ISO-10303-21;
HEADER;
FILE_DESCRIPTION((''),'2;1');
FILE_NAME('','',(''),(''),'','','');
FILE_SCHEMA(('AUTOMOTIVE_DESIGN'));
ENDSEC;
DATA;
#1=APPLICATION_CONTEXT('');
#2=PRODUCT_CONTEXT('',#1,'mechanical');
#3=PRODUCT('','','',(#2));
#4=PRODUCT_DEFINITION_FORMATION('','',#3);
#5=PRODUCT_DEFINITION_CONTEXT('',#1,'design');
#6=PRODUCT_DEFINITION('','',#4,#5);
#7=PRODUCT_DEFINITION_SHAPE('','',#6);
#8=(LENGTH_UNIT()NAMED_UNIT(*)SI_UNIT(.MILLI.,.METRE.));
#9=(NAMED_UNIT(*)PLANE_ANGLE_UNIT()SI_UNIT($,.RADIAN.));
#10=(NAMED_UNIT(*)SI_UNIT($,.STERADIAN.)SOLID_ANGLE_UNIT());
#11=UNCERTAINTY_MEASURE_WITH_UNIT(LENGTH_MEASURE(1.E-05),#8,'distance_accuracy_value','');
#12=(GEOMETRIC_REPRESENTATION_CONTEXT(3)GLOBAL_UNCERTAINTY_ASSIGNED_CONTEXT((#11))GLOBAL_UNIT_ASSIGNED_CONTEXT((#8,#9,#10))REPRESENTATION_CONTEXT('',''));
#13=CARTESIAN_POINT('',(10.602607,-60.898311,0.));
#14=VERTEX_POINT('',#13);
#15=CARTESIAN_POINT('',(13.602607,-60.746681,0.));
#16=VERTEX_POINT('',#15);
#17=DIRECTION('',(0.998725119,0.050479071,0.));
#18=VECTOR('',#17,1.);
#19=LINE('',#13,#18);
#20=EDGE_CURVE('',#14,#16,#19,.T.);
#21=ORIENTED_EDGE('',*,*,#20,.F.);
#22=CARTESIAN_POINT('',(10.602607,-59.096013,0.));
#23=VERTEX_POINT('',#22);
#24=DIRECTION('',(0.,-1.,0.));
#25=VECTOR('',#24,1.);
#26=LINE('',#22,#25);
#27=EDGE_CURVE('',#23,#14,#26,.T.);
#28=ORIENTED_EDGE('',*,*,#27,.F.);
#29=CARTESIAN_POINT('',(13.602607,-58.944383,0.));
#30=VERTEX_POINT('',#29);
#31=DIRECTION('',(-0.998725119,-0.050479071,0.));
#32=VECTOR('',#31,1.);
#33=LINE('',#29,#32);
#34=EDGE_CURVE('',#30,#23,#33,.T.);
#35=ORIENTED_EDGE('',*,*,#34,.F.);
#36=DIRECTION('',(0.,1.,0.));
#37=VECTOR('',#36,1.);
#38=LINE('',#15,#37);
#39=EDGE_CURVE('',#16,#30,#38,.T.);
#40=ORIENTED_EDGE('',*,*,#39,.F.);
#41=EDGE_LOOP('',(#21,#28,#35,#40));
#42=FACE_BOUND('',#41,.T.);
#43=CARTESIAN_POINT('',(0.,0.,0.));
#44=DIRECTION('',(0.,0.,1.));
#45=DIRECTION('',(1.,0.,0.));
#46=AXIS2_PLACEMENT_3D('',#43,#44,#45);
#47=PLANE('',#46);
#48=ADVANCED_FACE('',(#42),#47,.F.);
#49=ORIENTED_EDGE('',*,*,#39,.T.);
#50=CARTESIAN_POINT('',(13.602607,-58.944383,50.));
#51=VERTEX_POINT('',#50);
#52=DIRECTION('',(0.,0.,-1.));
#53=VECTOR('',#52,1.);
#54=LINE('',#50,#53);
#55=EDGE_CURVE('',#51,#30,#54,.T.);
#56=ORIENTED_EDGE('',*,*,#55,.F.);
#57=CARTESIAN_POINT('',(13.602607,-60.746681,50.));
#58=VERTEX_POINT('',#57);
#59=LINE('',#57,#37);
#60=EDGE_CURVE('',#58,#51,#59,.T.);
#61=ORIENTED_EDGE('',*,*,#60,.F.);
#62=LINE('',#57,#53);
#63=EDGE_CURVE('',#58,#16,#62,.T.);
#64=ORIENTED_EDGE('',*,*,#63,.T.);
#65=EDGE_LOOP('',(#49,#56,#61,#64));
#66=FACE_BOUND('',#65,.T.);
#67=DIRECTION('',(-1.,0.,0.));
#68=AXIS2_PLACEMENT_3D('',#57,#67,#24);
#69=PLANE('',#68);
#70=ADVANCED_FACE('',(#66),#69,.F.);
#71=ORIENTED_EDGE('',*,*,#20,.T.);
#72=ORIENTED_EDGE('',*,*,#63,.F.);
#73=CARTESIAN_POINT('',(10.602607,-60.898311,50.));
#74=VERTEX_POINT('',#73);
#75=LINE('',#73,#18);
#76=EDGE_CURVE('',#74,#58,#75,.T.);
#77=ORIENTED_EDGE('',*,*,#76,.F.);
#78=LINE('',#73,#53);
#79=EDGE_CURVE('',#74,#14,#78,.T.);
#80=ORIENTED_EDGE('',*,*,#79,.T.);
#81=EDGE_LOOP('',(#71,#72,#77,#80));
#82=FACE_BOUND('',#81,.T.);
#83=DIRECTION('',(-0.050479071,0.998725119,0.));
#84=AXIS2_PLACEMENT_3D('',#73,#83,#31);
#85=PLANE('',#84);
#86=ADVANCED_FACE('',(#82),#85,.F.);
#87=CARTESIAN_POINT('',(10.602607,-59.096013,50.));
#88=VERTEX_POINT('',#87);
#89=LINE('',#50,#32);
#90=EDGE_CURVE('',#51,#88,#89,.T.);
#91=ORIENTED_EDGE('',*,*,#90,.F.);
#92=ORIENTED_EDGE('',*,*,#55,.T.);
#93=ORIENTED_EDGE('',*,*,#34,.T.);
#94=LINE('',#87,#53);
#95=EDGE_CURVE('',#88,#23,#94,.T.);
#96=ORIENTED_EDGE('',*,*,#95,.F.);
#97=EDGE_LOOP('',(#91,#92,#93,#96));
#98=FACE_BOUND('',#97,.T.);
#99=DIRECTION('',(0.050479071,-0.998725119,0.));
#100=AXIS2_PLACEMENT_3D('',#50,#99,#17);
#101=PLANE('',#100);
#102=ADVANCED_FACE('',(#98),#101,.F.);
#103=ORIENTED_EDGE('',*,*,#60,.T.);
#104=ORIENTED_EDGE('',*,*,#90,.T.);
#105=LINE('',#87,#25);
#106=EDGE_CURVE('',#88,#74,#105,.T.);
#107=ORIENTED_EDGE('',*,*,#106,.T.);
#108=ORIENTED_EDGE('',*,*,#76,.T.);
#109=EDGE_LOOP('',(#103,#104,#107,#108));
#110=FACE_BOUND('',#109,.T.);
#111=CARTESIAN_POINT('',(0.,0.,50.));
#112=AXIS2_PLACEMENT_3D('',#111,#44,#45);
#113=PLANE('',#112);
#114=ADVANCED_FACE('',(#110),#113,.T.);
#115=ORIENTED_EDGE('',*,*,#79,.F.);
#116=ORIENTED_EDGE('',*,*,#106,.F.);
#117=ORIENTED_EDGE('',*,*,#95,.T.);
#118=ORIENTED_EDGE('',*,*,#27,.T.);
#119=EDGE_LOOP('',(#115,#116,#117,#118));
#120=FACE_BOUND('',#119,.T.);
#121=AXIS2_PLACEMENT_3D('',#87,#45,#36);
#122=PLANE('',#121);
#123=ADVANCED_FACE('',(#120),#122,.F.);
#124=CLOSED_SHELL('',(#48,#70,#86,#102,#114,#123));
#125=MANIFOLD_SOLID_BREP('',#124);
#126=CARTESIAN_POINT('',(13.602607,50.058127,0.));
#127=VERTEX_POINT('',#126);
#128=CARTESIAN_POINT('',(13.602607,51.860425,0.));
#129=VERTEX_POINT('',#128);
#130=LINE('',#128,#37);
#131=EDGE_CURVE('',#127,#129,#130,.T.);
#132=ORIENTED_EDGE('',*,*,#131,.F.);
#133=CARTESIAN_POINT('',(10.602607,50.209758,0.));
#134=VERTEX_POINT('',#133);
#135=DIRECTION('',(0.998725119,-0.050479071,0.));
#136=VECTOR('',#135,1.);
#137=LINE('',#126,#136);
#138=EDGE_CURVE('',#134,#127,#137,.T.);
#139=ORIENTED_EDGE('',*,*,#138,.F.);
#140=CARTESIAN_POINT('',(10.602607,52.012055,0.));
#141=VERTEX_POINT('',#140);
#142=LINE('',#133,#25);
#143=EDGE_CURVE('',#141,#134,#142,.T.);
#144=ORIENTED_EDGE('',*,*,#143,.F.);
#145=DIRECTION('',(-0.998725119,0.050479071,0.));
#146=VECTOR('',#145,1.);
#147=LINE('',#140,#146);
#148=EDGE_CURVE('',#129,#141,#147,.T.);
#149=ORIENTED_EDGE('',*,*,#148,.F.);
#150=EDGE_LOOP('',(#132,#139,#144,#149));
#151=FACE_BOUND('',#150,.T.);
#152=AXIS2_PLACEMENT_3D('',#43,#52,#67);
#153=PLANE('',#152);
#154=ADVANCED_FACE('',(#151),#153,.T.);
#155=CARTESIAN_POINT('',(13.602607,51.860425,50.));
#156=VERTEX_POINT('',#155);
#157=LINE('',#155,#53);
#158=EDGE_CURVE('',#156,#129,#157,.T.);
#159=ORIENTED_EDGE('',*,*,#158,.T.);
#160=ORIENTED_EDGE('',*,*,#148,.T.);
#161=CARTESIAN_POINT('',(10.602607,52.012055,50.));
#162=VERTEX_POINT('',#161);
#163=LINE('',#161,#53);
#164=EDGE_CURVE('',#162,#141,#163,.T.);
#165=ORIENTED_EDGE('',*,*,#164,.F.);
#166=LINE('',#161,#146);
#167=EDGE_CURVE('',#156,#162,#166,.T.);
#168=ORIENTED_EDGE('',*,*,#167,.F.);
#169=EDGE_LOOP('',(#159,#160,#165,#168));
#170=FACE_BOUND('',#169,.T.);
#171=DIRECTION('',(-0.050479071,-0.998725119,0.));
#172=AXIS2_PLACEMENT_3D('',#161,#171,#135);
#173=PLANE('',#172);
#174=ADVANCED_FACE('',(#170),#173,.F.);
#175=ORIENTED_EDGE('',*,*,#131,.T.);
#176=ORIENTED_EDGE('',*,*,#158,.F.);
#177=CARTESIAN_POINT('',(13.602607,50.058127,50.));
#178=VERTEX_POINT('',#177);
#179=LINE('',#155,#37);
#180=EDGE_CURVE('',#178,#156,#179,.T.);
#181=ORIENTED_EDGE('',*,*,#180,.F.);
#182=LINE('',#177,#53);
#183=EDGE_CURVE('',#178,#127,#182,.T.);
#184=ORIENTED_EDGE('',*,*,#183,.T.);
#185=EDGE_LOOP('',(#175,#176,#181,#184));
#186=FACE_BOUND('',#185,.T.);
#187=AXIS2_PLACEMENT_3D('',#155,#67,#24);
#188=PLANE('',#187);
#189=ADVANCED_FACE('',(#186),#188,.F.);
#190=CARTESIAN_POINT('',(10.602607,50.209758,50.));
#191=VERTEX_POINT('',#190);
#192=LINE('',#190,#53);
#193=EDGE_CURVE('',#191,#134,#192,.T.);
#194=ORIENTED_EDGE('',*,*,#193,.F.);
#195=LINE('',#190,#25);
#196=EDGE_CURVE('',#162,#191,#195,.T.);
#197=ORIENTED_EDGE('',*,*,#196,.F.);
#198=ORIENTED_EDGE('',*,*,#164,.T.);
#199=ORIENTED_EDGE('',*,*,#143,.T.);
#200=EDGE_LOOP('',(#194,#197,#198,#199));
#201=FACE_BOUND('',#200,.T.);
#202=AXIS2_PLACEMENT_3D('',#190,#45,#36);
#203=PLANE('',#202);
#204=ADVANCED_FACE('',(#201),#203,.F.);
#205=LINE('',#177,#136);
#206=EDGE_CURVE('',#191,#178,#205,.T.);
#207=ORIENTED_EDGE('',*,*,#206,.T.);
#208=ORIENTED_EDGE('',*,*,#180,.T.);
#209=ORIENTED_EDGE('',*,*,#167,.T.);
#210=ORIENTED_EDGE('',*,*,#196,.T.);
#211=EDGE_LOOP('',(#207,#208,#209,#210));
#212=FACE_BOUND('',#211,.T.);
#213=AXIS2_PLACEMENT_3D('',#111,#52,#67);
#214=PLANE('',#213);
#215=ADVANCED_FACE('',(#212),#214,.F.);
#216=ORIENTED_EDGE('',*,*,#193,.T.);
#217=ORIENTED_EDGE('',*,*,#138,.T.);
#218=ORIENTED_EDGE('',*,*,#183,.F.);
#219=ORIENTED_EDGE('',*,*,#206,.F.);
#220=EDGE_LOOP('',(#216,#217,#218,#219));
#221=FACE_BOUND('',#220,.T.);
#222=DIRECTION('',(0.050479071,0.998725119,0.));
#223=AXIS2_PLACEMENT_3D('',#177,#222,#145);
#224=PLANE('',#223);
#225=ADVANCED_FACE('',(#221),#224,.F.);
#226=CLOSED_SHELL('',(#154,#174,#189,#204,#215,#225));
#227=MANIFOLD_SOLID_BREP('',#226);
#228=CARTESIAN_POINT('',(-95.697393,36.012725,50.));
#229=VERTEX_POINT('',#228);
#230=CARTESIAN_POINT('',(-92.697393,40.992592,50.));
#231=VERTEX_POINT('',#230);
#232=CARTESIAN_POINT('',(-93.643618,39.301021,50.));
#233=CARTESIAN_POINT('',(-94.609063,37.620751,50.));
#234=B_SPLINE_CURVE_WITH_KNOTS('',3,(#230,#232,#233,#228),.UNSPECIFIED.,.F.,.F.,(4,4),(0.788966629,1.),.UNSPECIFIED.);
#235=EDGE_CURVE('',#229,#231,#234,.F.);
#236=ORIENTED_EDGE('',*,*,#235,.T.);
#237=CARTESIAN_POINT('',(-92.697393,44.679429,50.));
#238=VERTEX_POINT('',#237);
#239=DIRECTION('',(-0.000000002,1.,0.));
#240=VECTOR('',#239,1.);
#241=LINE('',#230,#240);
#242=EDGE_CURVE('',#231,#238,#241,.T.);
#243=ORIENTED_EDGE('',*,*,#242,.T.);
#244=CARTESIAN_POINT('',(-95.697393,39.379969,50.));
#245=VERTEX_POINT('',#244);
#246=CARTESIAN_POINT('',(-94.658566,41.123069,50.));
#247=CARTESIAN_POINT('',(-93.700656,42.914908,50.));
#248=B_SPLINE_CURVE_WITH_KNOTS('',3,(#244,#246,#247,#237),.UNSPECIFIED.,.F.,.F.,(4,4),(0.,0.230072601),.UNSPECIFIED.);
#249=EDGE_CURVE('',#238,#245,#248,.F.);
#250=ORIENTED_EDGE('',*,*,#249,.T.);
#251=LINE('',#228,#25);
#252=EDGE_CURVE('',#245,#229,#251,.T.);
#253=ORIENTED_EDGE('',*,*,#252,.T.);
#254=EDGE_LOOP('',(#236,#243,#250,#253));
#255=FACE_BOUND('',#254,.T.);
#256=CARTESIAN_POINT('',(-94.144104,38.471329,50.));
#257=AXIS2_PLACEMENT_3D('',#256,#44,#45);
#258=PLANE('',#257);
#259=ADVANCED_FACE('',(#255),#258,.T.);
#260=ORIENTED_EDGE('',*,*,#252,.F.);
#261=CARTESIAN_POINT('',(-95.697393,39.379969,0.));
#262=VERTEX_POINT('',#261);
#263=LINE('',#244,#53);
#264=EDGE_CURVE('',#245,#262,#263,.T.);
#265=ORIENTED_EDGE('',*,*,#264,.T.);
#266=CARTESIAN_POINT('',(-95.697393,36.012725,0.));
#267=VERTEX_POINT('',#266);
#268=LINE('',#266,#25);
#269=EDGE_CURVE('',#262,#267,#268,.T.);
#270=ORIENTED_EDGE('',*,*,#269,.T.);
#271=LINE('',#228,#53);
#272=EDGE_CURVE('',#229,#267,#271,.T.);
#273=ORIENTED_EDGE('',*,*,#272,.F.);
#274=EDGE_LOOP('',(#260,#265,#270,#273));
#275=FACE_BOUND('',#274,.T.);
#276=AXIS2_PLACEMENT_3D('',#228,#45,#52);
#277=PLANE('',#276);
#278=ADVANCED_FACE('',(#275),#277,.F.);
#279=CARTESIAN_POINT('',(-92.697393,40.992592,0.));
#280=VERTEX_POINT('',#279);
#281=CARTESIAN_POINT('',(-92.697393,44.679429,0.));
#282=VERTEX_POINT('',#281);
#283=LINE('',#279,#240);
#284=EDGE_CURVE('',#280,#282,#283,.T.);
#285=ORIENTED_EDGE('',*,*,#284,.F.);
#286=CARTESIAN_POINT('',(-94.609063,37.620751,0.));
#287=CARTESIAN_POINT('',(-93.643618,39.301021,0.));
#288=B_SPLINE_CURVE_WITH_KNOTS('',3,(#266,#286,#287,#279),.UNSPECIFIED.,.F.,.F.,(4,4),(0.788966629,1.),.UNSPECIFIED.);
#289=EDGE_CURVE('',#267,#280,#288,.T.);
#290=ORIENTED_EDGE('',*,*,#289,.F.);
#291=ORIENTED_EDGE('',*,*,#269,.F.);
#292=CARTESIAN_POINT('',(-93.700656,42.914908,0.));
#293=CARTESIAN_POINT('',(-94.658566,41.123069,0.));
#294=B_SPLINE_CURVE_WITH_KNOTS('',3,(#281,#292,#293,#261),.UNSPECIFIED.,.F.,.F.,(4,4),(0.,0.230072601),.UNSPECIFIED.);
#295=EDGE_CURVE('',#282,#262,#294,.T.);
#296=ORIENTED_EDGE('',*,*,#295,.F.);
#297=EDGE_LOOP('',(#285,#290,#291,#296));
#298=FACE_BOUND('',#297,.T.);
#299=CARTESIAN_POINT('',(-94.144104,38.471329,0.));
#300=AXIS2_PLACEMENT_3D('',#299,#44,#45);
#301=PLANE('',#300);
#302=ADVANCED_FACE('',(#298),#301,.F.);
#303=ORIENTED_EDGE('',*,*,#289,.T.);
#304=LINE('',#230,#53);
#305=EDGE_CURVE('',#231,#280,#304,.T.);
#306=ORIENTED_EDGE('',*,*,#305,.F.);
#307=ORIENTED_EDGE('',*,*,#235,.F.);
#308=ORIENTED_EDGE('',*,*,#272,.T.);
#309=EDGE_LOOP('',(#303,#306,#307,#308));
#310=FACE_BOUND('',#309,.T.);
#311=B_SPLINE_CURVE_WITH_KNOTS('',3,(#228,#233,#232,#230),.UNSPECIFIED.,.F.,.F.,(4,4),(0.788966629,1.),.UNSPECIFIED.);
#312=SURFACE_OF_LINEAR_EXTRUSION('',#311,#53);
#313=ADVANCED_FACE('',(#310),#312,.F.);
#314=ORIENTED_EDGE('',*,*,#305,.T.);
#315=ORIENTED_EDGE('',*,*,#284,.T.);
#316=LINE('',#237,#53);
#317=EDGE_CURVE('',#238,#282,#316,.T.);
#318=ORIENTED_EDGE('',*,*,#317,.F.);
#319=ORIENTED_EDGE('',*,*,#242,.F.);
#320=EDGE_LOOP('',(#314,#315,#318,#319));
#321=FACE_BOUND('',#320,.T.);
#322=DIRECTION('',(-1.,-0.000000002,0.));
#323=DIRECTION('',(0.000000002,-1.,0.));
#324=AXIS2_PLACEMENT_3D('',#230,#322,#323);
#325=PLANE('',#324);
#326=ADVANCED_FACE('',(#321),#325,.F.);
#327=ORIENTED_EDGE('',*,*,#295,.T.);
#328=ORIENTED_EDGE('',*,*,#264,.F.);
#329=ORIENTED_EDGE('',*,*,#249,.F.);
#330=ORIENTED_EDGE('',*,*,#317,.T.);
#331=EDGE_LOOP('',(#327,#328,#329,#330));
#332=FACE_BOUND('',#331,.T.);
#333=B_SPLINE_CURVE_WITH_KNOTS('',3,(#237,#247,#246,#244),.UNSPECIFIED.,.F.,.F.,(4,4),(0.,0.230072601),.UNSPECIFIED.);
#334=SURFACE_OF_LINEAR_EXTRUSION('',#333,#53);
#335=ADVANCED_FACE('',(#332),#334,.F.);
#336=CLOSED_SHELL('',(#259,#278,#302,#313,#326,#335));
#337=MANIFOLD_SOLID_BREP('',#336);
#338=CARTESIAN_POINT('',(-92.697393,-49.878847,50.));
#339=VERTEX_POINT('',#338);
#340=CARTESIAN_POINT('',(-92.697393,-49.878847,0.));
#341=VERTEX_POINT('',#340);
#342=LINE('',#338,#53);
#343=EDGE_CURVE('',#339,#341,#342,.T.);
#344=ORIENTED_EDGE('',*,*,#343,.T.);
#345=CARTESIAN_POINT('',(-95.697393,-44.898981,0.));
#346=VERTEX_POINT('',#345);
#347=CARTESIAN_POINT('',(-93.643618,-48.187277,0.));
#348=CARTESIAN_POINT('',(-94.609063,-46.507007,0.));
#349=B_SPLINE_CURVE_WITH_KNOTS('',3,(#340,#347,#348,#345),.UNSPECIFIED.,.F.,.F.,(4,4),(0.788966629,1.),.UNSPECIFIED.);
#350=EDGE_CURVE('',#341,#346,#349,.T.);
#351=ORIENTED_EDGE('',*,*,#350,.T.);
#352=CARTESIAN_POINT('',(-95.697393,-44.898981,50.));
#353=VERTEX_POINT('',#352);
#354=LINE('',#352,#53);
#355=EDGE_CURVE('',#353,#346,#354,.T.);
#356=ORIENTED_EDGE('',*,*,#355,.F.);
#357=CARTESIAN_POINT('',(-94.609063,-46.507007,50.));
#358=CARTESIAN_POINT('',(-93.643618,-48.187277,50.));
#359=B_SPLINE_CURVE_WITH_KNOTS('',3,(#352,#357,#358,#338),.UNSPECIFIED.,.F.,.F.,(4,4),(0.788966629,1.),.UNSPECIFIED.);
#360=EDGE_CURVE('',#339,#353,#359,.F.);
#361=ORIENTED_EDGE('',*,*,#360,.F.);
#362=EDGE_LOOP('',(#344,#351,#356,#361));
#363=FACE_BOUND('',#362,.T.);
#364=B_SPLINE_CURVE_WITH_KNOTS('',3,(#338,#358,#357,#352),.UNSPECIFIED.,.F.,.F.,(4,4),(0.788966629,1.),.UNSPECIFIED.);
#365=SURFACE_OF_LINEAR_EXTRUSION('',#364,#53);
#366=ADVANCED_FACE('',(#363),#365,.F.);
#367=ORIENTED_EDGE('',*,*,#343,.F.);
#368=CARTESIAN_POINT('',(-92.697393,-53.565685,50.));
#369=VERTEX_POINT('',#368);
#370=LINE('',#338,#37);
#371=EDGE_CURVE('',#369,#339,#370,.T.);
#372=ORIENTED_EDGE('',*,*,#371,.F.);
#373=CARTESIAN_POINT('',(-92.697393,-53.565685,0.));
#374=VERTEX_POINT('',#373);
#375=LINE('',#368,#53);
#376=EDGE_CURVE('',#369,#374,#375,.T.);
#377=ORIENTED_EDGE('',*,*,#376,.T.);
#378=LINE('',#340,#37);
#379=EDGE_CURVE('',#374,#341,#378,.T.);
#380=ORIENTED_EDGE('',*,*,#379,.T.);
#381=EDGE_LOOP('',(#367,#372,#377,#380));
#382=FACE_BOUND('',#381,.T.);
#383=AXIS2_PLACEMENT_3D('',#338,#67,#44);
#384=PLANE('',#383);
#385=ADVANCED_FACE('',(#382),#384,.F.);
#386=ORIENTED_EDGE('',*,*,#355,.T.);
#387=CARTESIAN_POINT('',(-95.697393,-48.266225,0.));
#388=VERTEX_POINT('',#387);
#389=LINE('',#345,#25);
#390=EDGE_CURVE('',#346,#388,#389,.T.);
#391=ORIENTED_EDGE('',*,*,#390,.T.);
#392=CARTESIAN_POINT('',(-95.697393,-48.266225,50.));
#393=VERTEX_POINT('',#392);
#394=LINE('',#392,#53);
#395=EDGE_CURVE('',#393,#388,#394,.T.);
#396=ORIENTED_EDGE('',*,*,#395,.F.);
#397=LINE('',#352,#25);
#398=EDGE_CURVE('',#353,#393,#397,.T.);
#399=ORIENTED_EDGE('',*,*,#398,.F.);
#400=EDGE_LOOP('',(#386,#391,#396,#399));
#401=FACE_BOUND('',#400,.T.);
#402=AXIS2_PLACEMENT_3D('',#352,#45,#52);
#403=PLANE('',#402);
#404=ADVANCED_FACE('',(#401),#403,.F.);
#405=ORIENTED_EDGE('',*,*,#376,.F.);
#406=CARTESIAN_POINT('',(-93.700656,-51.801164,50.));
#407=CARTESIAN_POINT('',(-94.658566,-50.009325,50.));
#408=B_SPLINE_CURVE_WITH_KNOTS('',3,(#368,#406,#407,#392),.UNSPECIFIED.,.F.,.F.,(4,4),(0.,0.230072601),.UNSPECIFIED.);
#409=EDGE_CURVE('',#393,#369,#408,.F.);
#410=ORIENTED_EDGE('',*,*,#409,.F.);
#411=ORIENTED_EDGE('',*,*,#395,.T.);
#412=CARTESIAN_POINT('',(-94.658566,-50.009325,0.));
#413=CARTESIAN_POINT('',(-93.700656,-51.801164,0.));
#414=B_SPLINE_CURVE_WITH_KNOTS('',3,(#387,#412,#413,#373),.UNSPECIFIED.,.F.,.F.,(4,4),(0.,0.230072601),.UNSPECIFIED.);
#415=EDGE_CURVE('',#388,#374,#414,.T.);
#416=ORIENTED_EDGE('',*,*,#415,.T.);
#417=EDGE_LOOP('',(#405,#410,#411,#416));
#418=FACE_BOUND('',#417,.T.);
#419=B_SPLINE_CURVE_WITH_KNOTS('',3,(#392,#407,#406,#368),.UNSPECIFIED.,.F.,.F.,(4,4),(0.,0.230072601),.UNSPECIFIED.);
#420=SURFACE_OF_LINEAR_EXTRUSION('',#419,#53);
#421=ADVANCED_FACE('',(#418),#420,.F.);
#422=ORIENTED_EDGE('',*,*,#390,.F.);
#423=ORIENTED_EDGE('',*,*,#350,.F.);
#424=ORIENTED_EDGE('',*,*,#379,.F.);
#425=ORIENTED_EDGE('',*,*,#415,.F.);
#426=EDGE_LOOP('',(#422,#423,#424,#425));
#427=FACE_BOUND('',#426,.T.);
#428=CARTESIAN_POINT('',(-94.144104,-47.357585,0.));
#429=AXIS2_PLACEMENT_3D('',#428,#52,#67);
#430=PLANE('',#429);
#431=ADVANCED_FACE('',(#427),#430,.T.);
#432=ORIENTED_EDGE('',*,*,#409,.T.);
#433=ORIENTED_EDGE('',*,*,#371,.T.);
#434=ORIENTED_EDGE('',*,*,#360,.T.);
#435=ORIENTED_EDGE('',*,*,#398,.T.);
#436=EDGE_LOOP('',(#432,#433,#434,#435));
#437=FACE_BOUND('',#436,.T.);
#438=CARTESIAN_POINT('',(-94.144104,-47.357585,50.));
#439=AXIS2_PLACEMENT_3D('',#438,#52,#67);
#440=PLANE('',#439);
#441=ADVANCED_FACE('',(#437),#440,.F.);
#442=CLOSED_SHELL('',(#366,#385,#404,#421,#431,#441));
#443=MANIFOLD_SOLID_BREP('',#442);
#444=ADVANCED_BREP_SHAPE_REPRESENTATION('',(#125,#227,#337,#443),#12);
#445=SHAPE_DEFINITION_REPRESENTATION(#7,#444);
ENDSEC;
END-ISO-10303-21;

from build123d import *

# Parameters (mm, degrees)
BOSS_EXTRUDE1_DEPTH   = 50
BOSS_EXTRUDE1_2_DEPTH = 50
BOSS_EXTRUDE1_3_DEPTH = 50
BOSS_EXTRUDE1_4_DEPTH = 50


with BuildPart() as part:
    # Sketch3 → Boss-Extrude1 (new body)
    with BuildSketch(Plane.XY):
        Polygon((10.602606635, 50.209757573), (10.602606635, 52.012055288), (13.602606635, 51.860424765), (13.602606635, 50.05812705), align=None)
    extrude(amount=BOSS_EXTRUDE1_DEPTH)


with BuildPart() as body_2:
    # Sketch3 → Boss-Extrude1 2 (new body)
    with BuildSketch(Plane.XY):
        with BuildLine():
            Line((-92.697393356, -49.878847446), (-92.697393356, -53.565685001))
            add(Edge.make_bspline(
                [(-95.697393356, -48.266224595), (-94.658566007, -50.009324516), (-93.700656209, -51.801163514), (-92.697393356, -53.565685001)],
                knots=[0, 0, 0, 0, 0.230072601, 0.230072601, 0.230072601, 0.230072601], degree=3))
            Line((-95.697393356, -48.266224595), (-95.697393356, -44.8989813))
            add(Edge.make_bspline(
                [(-92.697393356, -49.878847446), (-93.643617645, -48.187277247), (-94.609063153, -46.50700723), (-95.697393356, -44.8989813)],
                knots=[0.788966629, 0.788966629, 0.788966629, 0.788966629, 1, 1, 1, 1], degree=3))
        make_face()
    extrude(amount=BOSS_EXTRUDE1_2_DEPTH)


with BuildPart() as body_3:
    # Sketch3 → Boss-Extrude1 3 (new body)
    with BuildSketch(Plane.XY):
        Polygon((10.602606635, -59.096013497), (10.602606635, -60.898311212), (13.602606635, -60.746680689), (13.602606635, -58.944382974), align=None)
    extrude(amount=BOSS_EXTRUDE1_3_DEPTH)


with BuildPart() as body_4:
    # Sketch3 → Boss-Extrude1 4 (new body)
    with BuildSketch(Plane.XY):
        with BuildLine():
            Line((-92.697393356, 40.992591522), (-92.697393362, 44.679429081))
            add(Edge.make_bspline(
                [(-95.697393356, 39.379968671), (-94.658566009, 41.123068593), (-93.700656214, 42.914907592), (-92.697393362, 44.679429081)],
                knots=[0, 0, 0, 0, 0.230072601, 0.230072601, 0.230072601, 0.230072601], degree=3))
            Line((-95.697393356, 39.379968671), (-95.697393356, 36.012725375))
            add(Edge.make_bspline(
                [(-92.697393356, 40.992591522), (-93.643617645, 39.301021323), (-94.609063153, 37.620751306), (-95.697393356, 36.012725375)],
                knots=[0.788966629, 0.788966629, 0.788966629, 0.788966629, 1, 1, 1, 1], degree=3))
        make_face()
    extrude(amount=BOSS_EXTRUDE1_4_DEPTH)


solid = Compound([part.part, body_2.part, body_3.part, body_4.part])
